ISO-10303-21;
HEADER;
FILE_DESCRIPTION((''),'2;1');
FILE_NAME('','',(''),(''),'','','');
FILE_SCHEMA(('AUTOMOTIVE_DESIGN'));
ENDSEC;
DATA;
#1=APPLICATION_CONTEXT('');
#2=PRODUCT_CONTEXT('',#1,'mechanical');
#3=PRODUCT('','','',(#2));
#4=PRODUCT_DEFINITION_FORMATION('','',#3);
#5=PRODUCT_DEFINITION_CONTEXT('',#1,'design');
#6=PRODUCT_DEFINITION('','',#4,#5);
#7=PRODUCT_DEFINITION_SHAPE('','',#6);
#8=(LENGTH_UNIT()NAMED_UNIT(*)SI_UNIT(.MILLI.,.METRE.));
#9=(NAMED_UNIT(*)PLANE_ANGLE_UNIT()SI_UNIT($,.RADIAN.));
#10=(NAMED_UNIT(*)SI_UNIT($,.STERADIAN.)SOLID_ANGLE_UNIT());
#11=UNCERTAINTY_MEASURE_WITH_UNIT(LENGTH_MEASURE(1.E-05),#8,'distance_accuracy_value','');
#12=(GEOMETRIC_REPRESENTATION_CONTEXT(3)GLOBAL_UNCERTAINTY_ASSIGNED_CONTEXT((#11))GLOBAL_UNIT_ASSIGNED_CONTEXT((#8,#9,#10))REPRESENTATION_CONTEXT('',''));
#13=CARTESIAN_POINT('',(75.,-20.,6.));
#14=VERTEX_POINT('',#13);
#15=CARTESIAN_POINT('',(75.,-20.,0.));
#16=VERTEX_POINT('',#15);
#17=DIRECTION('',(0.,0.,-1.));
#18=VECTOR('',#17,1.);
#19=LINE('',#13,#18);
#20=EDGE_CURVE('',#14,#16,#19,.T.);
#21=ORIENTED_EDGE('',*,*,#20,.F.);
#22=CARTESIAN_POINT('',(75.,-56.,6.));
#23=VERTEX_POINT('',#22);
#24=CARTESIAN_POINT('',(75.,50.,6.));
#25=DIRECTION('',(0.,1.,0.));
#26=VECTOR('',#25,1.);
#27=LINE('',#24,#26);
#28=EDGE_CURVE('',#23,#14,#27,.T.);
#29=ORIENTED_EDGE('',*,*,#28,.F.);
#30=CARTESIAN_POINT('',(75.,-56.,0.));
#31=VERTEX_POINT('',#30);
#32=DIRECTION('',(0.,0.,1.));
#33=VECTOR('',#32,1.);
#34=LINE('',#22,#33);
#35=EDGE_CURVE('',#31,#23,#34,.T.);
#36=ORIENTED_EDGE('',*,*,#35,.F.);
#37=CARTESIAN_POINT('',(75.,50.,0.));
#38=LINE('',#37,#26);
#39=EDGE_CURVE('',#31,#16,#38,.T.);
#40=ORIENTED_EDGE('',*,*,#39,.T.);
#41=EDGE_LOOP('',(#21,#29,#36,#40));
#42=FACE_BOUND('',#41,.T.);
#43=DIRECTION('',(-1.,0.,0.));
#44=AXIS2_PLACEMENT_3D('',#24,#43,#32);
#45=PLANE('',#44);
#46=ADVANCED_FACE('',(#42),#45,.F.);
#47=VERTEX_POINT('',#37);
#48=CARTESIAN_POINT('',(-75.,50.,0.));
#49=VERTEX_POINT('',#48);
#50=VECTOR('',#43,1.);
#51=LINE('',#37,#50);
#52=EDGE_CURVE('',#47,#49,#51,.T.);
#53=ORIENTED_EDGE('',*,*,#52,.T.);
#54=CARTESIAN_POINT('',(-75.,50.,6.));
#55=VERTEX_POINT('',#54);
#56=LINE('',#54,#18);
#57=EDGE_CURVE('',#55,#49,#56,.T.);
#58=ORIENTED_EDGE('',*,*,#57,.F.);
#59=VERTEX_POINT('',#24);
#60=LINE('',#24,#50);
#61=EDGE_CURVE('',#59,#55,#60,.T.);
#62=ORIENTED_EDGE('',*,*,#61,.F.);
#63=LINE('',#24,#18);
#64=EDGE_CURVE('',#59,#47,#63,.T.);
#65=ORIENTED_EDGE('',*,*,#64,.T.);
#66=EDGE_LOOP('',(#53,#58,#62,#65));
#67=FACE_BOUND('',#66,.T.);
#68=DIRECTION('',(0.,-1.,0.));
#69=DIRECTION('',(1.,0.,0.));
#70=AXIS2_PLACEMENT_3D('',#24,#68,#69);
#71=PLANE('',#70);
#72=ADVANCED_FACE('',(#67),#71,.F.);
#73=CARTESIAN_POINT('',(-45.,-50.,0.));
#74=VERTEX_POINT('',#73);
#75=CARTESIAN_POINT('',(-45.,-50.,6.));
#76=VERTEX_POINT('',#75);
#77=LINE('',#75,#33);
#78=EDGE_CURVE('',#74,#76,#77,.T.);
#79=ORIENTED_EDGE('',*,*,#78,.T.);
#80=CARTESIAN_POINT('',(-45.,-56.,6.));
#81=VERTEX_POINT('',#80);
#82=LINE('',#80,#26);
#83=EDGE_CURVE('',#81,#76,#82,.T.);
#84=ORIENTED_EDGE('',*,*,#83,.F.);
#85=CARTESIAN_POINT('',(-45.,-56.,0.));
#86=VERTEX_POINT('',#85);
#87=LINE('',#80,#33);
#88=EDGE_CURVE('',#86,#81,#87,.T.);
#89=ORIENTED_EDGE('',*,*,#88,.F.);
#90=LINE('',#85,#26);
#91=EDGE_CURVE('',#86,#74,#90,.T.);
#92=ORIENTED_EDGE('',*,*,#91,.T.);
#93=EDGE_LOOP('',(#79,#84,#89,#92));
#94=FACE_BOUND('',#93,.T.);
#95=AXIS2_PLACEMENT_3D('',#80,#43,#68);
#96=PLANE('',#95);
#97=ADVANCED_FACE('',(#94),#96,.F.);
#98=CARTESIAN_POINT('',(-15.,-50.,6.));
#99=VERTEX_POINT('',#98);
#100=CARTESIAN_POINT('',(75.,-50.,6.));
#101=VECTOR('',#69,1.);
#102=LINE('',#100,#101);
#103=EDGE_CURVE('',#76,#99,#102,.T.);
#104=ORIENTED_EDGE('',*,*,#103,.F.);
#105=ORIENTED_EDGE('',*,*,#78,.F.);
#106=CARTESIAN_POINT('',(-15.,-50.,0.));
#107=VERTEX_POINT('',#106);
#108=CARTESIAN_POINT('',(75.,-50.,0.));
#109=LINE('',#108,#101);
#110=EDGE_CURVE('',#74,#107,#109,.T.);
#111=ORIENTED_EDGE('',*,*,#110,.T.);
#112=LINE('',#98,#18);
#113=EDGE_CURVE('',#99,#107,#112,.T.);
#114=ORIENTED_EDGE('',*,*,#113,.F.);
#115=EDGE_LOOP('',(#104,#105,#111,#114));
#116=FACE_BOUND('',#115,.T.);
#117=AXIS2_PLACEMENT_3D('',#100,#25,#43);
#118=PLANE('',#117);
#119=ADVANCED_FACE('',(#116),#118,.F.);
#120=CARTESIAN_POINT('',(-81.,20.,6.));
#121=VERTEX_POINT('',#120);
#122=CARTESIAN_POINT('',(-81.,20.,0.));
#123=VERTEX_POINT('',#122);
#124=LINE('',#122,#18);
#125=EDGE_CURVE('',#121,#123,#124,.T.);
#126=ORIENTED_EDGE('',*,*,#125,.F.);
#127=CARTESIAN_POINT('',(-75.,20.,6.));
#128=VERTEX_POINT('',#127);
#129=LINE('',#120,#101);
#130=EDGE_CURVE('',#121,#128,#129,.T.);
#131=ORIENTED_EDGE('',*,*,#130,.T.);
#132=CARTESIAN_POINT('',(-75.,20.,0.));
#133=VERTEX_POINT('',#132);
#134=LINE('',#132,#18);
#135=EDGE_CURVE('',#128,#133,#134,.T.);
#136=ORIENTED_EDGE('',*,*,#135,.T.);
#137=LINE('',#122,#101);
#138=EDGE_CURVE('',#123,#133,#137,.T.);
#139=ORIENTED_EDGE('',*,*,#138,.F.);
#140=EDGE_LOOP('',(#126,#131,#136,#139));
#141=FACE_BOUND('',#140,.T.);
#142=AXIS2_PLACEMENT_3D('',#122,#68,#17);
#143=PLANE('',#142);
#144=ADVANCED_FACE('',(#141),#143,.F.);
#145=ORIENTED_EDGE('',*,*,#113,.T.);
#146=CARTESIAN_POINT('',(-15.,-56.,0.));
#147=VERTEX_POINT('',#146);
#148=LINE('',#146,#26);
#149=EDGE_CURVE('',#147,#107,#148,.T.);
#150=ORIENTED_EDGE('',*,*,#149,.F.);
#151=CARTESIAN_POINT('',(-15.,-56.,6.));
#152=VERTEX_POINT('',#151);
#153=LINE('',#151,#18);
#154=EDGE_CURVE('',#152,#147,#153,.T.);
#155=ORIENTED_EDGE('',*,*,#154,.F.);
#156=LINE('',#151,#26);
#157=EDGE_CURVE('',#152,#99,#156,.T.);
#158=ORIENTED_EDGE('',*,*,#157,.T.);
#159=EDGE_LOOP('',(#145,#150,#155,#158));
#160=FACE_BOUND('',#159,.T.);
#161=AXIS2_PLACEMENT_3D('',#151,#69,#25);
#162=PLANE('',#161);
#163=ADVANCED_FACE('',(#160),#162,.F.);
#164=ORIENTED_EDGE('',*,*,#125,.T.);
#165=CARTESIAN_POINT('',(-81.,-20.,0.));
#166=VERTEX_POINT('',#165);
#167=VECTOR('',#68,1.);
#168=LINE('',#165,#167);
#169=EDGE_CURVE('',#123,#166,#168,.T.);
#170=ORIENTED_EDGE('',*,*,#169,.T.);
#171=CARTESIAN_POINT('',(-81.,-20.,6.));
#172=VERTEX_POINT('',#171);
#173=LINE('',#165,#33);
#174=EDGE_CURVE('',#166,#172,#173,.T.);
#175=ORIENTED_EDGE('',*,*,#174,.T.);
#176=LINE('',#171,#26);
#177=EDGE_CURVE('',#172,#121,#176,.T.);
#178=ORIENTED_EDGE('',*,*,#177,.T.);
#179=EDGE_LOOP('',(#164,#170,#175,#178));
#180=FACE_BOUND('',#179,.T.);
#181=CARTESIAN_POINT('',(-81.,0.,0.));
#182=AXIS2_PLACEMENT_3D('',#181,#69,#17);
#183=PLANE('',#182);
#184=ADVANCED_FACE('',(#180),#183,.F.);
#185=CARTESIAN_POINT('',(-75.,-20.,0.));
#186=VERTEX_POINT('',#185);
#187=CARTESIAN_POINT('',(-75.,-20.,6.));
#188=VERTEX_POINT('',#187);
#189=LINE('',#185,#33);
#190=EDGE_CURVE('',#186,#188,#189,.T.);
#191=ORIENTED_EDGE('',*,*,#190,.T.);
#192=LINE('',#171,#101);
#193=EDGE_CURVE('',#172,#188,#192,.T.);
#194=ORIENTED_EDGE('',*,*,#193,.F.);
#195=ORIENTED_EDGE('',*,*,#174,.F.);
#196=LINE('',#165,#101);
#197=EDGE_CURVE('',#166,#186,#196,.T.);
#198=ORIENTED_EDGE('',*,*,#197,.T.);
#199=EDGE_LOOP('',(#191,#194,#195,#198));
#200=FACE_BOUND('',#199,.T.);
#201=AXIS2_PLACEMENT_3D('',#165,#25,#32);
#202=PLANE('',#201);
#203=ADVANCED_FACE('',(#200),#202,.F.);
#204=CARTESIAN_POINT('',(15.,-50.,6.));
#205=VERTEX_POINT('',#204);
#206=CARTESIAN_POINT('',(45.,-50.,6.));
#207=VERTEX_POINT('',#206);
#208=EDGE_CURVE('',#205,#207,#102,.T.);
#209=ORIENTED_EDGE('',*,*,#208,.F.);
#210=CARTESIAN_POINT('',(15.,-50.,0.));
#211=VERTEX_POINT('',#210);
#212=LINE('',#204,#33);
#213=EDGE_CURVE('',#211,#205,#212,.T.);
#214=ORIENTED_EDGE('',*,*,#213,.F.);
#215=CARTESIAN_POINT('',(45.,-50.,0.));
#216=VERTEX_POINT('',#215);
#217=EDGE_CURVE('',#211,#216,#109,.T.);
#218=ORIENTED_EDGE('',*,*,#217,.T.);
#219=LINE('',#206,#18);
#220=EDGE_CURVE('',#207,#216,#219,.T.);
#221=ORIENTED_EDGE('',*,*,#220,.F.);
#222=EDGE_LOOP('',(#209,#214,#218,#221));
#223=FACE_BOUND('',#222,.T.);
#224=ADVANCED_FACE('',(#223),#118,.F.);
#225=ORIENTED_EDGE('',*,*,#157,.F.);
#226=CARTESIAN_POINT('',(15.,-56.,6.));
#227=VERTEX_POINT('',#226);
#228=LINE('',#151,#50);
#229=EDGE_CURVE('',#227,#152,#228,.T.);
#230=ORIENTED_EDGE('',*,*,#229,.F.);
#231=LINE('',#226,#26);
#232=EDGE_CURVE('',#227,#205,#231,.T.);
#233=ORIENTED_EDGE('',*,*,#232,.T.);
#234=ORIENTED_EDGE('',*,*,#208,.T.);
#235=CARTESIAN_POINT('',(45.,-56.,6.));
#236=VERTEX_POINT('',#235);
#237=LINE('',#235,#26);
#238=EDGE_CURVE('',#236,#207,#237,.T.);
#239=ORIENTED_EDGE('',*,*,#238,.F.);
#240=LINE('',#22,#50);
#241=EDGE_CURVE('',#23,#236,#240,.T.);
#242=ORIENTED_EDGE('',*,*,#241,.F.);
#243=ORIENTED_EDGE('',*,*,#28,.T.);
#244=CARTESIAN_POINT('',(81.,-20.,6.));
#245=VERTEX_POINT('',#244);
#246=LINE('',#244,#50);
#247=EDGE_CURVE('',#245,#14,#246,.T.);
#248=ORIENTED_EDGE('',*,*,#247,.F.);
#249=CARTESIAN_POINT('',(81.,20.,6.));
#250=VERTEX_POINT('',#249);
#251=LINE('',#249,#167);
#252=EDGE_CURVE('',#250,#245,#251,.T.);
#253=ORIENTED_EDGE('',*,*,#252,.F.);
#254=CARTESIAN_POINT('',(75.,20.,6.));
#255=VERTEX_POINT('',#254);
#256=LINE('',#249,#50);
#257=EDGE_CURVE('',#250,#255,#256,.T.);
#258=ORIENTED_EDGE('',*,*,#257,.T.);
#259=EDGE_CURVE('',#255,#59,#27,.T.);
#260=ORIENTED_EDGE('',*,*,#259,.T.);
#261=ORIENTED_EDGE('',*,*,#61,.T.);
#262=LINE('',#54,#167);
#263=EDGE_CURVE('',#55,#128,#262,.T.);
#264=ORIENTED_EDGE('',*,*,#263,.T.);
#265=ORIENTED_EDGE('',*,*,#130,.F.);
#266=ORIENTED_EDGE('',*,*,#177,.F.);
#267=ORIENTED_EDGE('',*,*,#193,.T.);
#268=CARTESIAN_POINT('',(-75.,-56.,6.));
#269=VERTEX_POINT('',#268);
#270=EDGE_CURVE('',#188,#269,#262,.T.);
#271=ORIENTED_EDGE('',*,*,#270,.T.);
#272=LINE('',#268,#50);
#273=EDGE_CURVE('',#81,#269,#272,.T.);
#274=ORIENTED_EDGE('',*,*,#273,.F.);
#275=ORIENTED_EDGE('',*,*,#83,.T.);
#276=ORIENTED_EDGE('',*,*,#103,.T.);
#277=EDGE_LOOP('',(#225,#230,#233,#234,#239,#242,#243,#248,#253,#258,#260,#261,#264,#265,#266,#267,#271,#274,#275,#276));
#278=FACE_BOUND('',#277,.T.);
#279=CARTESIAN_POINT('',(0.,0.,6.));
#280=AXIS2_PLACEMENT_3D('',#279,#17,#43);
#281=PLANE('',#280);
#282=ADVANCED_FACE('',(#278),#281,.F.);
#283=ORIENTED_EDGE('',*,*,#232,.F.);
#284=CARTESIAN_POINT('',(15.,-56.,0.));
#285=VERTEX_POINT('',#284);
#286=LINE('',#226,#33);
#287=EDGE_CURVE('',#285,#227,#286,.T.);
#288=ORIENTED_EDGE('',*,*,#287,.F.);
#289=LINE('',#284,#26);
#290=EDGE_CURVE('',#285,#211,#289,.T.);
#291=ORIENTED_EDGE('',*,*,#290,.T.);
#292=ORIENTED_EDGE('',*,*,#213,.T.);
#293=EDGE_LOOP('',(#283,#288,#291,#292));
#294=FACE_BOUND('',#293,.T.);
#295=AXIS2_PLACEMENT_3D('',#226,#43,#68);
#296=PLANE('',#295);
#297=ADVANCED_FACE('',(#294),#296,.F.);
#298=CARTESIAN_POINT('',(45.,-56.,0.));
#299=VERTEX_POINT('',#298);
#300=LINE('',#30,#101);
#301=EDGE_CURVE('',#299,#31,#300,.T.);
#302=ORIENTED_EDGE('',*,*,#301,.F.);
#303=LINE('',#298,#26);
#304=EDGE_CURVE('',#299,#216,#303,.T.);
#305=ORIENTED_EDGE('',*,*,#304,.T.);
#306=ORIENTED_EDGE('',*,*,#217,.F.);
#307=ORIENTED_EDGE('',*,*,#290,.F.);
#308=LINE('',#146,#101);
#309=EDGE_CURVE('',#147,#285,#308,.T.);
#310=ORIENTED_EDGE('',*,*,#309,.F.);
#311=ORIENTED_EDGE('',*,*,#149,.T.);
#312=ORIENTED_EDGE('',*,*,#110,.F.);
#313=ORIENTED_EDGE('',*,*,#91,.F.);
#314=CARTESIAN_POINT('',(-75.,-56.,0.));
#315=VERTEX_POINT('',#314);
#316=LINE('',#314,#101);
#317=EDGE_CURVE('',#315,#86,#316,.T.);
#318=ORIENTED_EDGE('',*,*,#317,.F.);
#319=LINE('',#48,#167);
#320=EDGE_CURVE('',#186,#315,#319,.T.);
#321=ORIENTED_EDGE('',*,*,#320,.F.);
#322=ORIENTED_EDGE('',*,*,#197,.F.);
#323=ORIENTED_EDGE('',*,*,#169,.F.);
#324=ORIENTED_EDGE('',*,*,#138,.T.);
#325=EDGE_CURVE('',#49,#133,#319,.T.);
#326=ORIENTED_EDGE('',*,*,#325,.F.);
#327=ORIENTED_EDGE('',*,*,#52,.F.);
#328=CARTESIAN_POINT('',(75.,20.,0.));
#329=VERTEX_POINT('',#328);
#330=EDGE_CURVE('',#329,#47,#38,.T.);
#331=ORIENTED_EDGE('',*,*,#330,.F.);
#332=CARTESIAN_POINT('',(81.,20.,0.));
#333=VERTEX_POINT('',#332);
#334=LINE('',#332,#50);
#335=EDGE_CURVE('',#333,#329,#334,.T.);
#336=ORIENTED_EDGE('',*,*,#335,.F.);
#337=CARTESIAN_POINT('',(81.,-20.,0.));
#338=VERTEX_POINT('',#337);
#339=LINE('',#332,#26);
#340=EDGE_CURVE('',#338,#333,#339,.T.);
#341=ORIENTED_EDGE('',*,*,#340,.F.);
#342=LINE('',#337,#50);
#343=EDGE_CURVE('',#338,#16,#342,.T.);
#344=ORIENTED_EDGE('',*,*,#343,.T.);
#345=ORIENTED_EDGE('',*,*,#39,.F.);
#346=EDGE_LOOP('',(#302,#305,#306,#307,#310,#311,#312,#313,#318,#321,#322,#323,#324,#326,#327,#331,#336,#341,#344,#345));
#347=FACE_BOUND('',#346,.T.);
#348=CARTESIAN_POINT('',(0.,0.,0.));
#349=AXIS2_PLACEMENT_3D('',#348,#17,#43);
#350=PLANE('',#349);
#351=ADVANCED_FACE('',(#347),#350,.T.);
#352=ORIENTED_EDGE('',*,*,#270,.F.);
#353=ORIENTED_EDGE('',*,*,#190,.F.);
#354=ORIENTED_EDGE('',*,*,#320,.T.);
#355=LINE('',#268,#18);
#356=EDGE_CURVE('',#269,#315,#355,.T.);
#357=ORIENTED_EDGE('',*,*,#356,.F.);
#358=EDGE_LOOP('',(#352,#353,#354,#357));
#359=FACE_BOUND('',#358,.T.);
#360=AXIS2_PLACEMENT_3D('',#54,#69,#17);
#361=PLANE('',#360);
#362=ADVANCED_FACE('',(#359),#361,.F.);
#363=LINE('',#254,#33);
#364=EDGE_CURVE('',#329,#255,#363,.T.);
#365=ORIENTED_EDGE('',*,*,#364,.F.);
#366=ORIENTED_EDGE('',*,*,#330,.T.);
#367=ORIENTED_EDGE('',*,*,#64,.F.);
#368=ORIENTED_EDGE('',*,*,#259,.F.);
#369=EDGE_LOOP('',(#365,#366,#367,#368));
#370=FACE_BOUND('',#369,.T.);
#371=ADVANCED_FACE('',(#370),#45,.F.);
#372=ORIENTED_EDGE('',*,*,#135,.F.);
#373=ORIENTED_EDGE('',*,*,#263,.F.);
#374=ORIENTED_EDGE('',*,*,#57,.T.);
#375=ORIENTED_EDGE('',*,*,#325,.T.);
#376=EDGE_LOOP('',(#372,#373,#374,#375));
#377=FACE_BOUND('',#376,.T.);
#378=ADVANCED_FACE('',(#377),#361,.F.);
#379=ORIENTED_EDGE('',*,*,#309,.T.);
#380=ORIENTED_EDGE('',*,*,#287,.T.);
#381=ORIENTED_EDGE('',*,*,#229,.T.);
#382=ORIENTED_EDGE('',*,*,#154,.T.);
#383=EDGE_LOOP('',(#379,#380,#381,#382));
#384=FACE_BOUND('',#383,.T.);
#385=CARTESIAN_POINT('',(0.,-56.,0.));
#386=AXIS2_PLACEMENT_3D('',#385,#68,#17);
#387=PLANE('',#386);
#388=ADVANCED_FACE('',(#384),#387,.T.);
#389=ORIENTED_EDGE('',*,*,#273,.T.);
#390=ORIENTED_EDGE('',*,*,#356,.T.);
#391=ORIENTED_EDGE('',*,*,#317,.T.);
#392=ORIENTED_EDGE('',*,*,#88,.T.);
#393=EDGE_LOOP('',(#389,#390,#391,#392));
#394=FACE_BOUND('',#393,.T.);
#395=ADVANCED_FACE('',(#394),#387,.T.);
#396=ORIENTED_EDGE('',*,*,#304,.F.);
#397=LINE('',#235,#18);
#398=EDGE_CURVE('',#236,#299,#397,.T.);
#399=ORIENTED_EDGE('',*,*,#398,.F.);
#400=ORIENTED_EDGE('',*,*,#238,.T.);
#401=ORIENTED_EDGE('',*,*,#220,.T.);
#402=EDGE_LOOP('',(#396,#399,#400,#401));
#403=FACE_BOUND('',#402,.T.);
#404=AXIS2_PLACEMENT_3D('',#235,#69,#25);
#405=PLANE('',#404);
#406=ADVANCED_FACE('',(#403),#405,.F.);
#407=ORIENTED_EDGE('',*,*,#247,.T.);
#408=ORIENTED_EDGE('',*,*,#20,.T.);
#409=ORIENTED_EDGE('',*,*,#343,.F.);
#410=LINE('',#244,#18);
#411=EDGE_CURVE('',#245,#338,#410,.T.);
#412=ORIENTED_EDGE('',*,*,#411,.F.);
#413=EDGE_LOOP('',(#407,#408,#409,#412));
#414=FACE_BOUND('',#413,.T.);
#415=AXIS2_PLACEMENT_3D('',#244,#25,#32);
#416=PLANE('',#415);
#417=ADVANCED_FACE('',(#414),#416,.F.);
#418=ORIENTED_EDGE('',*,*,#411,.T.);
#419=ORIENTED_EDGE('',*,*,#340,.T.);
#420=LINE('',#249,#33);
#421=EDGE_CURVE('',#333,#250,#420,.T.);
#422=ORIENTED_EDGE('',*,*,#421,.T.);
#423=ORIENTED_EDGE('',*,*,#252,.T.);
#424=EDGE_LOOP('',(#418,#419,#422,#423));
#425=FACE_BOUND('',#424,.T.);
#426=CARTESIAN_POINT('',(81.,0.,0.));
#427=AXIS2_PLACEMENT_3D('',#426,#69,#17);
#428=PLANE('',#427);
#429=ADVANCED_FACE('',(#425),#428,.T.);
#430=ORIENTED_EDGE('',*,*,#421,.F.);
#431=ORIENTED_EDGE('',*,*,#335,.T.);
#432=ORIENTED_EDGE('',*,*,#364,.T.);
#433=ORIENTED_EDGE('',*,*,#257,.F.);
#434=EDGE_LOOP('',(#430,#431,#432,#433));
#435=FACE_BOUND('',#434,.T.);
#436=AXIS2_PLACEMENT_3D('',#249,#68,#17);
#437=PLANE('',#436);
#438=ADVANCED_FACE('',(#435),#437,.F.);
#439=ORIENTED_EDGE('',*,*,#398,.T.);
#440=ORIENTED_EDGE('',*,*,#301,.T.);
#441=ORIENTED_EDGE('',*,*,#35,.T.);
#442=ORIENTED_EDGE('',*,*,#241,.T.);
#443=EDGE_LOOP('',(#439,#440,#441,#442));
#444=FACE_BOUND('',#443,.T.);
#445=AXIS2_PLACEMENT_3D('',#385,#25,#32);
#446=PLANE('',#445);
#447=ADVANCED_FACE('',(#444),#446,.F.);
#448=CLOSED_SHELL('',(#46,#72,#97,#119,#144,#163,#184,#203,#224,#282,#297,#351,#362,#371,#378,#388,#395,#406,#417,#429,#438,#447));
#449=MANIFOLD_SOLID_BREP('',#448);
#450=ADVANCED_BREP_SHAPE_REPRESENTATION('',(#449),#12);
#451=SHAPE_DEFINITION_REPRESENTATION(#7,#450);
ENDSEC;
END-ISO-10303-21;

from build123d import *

# Parameters (mm, degrees)
ESBO_O1_W                = 150
ESBO_O1_H                = 100
RESSALTO_EXTRUS_O3_DEPTH = 6
ESBO_O3_W                = 30
ESBO_O3_H                = 6
RESSALTO_EXTRUS_O5_DEPTH = 6
ESBO_O4_W                = 6
ESBO_O4_H                = 40
RESSALTO_EXTRUS_O6_DEPTH = 6
ESBO_O5_W                = 6
ESBO_O5_H                = 40
RESSALTO_EXTRUS_O7_DEPTH = 6


with BuildPart() as part:
    # Esboço1 → Ressalto-extrusão3 (new body)
    with BuildSketch(Plane.XY):
        Rectangle(ESBO_O1_W, ESBO_O1_H)
    extrude(amount=RESSALTO_EXTRUS_O3_DEPTH)

    # Esboço3 → Ressalto-extrusão5 (add)
    with BuildSketch(Plane.XZ.offset(50)):
        with Locations((-60, 3)):
            Rectangle(ESBO_O3_W, ESBO_O3_H)
        with Locations((0, 3)):
            Rectangle(ESBO_O3_W, ESBO_O3_H)
        with Locations((60, 3)):
            Rectangle(ESBO_O3_W, ESBO_O3_H)
    extrude(amount=RESSALTO_EXTRUS_O5_DEPTH)

    # Esboço4 → Ressalto-extrusão6 (add)
    with BuildSketch(Plane(origin=(75, 0, 0), x_dir=(0, 0, -1), z_dir=(1, 0, 0))):
        with Locations((-3, 0)):
            Rectangle(ESBO_O4_W, ESBO_O4_H)
    extrude(amount=RESSALTO_EXTRUS_O6_DEPTH)

    # Esboço5 → Ressalto-extrusão7 (add)
    with BuildSketch(Plane.ZY.offset(75)):
        with Locations((3, 0)):
            Rectangle(ESBO_O5_W, ESBO_O5_H)
    extrude(amount=RESSALTO_EXTRUS_O7_DEPTH)


solid = part.part
